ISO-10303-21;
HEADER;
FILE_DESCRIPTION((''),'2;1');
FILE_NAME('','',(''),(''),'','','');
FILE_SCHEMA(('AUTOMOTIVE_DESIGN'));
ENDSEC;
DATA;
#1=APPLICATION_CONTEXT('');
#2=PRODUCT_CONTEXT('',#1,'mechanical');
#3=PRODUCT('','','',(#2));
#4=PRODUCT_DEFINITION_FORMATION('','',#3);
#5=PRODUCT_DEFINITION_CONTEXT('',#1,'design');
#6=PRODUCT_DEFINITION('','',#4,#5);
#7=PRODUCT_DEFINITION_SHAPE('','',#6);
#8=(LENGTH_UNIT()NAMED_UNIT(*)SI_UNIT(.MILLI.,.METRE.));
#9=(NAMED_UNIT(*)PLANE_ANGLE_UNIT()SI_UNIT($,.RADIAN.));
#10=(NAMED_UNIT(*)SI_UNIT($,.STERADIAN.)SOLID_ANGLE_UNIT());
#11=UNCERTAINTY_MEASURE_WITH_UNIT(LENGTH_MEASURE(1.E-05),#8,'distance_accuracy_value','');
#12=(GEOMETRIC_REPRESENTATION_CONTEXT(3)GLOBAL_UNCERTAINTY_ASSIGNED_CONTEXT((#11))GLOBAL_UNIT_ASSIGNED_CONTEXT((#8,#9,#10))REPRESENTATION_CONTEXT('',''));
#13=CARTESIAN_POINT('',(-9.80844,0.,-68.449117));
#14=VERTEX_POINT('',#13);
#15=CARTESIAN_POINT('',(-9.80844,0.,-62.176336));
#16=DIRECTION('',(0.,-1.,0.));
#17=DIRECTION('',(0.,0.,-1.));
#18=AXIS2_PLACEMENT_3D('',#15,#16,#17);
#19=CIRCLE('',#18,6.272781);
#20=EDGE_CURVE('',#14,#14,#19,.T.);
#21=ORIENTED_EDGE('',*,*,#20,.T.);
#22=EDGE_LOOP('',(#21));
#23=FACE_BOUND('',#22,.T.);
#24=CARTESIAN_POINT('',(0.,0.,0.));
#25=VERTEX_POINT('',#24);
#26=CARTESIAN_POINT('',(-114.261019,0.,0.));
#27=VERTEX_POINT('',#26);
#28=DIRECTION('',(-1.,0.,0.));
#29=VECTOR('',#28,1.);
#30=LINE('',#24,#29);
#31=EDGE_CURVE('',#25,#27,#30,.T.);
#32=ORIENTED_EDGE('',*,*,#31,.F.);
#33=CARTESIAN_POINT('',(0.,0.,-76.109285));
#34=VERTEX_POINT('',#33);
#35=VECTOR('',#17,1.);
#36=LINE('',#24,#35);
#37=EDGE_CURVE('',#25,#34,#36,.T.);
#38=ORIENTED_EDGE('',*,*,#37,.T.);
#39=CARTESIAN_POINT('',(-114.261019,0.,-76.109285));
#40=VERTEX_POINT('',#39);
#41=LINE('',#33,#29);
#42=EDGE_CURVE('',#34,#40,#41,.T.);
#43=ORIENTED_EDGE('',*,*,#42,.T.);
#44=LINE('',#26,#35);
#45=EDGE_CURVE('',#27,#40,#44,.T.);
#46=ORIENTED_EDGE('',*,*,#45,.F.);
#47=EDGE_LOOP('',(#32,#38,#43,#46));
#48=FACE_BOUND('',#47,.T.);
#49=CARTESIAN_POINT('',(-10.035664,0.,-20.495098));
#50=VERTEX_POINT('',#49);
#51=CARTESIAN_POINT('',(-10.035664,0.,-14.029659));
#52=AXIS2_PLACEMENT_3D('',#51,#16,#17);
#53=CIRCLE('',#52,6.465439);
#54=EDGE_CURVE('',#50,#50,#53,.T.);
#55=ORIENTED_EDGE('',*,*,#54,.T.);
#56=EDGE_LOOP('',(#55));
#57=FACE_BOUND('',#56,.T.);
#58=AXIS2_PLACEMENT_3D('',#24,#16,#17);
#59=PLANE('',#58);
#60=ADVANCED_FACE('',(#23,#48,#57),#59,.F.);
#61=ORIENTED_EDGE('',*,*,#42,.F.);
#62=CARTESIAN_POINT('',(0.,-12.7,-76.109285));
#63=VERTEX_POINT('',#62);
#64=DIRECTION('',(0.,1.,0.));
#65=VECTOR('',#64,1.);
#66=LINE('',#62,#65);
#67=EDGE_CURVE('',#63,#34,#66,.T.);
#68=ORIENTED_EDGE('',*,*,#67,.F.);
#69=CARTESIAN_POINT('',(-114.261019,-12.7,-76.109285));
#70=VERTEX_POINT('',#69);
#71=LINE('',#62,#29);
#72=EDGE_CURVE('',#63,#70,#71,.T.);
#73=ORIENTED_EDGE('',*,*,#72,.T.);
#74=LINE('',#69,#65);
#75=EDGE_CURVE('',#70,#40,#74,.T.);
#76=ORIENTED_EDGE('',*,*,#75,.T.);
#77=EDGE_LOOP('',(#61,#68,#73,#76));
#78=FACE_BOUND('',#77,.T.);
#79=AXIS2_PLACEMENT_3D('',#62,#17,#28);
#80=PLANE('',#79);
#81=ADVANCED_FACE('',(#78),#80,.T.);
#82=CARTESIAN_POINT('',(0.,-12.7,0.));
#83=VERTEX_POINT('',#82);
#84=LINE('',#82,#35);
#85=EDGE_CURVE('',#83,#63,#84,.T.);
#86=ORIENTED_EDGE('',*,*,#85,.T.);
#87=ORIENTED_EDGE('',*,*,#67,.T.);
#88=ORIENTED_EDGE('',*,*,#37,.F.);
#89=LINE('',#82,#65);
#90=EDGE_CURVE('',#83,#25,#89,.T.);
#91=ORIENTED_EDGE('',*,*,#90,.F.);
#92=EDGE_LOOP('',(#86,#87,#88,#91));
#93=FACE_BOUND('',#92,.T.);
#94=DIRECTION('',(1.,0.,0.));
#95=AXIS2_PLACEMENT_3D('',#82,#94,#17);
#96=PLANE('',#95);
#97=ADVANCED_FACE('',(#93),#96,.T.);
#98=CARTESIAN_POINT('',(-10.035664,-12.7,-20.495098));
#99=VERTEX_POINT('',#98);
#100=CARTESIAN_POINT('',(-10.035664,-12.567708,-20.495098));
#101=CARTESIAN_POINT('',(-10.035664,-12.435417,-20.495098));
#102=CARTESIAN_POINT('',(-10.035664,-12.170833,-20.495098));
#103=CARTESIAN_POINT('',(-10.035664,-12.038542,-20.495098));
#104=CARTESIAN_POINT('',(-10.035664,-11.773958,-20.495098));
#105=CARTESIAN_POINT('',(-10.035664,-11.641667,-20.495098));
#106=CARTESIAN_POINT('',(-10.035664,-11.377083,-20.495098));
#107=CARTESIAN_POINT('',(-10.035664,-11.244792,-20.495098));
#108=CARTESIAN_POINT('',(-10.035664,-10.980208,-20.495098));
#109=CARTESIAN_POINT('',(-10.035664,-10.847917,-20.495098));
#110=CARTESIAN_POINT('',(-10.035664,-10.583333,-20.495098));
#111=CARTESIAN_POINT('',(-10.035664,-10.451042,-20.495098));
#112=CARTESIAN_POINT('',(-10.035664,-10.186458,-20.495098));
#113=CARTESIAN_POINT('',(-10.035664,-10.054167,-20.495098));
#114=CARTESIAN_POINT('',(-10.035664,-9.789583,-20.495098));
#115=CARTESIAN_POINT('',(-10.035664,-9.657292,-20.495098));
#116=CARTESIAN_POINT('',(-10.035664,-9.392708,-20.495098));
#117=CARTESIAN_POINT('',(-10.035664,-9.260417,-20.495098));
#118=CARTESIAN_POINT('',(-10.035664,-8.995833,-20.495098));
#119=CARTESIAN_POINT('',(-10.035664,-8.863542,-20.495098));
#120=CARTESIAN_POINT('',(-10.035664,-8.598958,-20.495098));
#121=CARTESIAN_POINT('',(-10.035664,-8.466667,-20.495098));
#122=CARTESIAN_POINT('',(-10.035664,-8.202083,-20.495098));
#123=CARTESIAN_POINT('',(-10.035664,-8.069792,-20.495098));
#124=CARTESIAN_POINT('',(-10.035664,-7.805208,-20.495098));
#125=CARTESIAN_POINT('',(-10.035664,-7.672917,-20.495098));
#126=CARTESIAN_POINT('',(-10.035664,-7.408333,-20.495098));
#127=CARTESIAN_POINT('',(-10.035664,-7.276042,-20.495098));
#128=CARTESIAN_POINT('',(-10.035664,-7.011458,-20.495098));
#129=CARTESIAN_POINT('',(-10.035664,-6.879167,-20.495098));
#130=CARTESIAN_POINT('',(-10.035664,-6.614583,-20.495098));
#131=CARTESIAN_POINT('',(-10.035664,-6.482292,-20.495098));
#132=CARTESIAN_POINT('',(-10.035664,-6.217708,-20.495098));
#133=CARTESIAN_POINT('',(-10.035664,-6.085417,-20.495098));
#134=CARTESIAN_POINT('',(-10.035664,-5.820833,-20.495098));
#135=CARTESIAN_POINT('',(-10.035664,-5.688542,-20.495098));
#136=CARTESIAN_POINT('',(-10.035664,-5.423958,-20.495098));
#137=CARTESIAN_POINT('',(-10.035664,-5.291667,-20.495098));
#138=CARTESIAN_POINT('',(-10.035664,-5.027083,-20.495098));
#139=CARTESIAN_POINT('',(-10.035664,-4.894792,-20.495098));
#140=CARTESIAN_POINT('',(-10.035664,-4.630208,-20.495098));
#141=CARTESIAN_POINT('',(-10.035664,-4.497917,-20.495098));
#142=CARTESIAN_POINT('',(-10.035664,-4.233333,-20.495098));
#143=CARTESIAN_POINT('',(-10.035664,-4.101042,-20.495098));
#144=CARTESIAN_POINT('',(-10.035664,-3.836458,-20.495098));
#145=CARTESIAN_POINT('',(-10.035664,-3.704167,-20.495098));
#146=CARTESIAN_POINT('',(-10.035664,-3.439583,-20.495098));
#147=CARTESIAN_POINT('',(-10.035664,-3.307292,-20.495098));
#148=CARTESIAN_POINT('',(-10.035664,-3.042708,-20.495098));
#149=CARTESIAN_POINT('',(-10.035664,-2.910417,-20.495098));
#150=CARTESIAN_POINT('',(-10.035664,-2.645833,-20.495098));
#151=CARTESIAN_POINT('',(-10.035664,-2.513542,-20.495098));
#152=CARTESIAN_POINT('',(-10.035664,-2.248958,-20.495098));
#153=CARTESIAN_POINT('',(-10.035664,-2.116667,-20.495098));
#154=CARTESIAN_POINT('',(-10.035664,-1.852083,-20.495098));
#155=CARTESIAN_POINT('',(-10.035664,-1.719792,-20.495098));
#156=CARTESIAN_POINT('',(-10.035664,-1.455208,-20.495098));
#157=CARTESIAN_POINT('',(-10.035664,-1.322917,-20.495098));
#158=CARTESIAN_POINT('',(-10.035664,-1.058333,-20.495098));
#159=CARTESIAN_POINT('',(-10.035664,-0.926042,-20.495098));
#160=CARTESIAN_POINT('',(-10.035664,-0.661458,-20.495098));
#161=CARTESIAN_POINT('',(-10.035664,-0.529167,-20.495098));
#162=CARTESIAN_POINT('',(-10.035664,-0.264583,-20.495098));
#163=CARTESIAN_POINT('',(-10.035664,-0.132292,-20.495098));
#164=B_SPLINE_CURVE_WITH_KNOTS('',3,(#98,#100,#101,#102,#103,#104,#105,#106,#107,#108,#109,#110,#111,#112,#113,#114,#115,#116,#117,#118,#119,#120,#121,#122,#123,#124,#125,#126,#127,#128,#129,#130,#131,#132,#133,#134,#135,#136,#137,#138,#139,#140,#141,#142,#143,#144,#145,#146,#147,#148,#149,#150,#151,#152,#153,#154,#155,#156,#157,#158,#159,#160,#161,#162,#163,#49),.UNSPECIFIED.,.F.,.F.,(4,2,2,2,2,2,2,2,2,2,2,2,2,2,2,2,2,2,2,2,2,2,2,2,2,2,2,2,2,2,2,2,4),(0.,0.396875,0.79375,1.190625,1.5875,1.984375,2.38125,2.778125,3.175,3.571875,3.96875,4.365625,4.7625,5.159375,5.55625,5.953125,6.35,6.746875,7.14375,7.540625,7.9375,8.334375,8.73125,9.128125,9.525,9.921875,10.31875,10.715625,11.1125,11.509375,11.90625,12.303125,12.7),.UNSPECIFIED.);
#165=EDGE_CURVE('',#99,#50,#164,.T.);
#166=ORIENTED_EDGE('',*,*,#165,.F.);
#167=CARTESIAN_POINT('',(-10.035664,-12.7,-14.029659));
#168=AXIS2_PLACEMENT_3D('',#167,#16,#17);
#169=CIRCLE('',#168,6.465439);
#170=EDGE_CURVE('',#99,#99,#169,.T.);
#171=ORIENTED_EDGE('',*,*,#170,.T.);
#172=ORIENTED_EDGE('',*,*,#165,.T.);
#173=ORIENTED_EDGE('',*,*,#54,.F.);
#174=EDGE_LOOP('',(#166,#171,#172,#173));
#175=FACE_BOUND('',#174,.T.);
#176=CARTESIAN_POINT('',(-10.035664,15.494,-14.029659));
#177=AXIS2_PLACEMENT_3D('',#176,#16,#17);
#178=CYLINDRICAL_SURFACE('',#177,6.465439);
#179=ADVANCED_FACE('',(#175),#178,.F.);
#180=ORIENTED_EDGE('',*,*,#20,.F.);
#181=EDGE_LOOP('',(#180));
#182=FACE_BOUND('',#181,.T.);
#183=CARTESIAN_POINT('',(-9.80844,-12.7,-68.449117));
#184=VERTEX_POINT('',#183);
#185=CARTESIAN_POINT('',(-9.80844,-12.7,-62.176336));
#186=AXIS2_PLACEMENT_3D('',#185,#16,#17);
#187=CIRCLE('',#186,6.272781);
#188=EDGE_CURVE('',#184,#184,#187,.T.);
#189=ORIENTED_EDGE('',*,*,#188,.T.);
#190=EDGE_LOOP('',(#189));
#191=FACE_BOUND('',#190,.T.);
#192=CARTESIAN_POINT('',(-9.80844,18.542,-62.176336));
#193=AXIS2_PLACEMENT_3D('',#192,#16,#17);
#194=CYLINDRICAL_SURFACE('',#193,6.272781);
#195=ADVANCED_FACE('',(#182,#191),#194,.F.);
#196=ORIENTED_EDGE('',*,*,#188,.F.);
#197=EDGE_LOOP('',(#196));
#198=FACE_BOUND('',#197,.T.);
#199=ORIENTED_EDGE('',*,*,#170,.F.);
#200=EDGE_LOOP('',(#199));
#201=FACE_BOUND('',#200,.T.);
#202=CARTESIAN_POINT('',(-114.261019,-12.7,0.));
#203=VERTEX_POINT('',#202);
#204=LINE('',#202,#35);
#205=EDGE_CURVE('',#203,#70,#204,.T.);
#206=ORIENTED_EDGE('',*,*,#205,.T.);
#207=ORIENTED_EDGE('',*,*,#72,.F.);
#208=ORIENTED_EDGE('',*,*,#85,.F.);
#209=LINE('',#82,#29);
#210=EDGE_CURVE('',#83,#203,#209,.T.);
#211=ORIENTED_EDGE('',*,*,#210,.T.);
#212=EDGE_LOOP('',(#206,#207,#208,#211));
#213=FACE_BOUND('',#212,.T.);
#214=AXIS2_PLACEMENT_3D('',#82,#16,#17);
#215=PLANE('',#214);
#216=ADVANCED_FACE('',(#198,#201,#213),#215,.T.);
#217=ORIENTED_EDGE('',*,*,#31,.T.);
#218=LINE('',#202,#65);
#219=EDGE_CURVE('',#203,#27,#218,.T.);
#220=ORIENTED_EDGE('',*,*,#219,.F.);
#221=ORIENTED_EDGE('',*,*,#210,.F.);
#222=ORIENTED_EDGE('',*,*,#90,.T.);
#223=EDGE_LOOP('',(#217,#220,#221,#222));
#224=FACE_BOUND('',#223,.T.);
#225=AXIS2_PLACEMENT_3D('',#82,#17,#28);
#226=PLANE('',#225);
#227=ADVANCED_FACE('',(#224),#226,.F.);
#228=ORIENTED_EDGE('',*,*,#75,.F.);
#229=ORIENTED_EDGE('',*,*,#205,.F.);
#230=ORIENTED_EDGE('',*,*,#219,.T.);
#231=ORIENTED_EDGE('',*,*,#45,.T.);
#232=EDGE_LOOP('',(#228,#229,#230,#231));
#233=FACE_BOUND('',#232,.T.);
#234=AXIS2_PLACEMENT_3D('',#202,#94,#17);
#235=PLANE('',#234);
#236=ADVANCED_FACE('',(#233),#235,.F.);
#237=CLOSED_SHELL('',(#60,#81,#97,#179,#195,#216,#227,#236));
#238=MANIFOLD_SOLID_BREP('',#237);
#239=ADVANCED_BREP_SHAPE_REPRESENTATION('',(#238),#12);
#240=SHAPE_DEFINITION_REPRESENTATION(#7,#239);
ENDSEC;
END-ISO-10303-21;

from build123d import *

# Parameters (mm, degrees)
SKETCH1_W           = 114.261019043
SKETCH1_H           = 76.109285411
BOSS_EXTRUDE1_DEPTH = 12.7
SKETCH2_R           = 6.465438967
CUT_EXTRUDE1_DEPTH  = 28.194
SKETCH3_R           = 6.272780884
CUT_EXTRUDE2_DEPTH  = 31.242


with BuildPart() as part:
    # Sketch1 → Boss-Extrude1 (new body)
    with BuildSketch(Plane(origin=(0, 0, 0), x_dir=(1, 0, 0), z_dir=(0, 1, 0))):
        with Locations((-57.130509522, 38.054642706)):
            Rectangle(SKETCH1_W, SKETCH1_H)
    extrude(amount=-BOSS_EXTRUDE1_DEPTH)

    # Sketch2 → Cut-Extrude1 (cut)
    with BuildSketch(Plane.XZ.offset(12.7)):
        with Locations(Location((-10.03566432, -14.029659272, 0), (0, 0, 270))):
            Circle(SKETCH2_R)
    extrude(amount=-CUT_EXTRUDE1_DEPTH, mode=Mode.SUBTRACT)

    # Sketch3 → Cut-Extrude2 (cut)
    with BuildSketch(Plane.XZ.offset(12.7)):
        with Locations(Location((-9.80844034, -62.176336471, 0), (0, 0, 270))):
            Circle(SKETCH3_R)
    extrude(amount=-CUT_EXTRUDE2_DEPTH, mode=Mode.SUBTRACT)


solid = part.part
